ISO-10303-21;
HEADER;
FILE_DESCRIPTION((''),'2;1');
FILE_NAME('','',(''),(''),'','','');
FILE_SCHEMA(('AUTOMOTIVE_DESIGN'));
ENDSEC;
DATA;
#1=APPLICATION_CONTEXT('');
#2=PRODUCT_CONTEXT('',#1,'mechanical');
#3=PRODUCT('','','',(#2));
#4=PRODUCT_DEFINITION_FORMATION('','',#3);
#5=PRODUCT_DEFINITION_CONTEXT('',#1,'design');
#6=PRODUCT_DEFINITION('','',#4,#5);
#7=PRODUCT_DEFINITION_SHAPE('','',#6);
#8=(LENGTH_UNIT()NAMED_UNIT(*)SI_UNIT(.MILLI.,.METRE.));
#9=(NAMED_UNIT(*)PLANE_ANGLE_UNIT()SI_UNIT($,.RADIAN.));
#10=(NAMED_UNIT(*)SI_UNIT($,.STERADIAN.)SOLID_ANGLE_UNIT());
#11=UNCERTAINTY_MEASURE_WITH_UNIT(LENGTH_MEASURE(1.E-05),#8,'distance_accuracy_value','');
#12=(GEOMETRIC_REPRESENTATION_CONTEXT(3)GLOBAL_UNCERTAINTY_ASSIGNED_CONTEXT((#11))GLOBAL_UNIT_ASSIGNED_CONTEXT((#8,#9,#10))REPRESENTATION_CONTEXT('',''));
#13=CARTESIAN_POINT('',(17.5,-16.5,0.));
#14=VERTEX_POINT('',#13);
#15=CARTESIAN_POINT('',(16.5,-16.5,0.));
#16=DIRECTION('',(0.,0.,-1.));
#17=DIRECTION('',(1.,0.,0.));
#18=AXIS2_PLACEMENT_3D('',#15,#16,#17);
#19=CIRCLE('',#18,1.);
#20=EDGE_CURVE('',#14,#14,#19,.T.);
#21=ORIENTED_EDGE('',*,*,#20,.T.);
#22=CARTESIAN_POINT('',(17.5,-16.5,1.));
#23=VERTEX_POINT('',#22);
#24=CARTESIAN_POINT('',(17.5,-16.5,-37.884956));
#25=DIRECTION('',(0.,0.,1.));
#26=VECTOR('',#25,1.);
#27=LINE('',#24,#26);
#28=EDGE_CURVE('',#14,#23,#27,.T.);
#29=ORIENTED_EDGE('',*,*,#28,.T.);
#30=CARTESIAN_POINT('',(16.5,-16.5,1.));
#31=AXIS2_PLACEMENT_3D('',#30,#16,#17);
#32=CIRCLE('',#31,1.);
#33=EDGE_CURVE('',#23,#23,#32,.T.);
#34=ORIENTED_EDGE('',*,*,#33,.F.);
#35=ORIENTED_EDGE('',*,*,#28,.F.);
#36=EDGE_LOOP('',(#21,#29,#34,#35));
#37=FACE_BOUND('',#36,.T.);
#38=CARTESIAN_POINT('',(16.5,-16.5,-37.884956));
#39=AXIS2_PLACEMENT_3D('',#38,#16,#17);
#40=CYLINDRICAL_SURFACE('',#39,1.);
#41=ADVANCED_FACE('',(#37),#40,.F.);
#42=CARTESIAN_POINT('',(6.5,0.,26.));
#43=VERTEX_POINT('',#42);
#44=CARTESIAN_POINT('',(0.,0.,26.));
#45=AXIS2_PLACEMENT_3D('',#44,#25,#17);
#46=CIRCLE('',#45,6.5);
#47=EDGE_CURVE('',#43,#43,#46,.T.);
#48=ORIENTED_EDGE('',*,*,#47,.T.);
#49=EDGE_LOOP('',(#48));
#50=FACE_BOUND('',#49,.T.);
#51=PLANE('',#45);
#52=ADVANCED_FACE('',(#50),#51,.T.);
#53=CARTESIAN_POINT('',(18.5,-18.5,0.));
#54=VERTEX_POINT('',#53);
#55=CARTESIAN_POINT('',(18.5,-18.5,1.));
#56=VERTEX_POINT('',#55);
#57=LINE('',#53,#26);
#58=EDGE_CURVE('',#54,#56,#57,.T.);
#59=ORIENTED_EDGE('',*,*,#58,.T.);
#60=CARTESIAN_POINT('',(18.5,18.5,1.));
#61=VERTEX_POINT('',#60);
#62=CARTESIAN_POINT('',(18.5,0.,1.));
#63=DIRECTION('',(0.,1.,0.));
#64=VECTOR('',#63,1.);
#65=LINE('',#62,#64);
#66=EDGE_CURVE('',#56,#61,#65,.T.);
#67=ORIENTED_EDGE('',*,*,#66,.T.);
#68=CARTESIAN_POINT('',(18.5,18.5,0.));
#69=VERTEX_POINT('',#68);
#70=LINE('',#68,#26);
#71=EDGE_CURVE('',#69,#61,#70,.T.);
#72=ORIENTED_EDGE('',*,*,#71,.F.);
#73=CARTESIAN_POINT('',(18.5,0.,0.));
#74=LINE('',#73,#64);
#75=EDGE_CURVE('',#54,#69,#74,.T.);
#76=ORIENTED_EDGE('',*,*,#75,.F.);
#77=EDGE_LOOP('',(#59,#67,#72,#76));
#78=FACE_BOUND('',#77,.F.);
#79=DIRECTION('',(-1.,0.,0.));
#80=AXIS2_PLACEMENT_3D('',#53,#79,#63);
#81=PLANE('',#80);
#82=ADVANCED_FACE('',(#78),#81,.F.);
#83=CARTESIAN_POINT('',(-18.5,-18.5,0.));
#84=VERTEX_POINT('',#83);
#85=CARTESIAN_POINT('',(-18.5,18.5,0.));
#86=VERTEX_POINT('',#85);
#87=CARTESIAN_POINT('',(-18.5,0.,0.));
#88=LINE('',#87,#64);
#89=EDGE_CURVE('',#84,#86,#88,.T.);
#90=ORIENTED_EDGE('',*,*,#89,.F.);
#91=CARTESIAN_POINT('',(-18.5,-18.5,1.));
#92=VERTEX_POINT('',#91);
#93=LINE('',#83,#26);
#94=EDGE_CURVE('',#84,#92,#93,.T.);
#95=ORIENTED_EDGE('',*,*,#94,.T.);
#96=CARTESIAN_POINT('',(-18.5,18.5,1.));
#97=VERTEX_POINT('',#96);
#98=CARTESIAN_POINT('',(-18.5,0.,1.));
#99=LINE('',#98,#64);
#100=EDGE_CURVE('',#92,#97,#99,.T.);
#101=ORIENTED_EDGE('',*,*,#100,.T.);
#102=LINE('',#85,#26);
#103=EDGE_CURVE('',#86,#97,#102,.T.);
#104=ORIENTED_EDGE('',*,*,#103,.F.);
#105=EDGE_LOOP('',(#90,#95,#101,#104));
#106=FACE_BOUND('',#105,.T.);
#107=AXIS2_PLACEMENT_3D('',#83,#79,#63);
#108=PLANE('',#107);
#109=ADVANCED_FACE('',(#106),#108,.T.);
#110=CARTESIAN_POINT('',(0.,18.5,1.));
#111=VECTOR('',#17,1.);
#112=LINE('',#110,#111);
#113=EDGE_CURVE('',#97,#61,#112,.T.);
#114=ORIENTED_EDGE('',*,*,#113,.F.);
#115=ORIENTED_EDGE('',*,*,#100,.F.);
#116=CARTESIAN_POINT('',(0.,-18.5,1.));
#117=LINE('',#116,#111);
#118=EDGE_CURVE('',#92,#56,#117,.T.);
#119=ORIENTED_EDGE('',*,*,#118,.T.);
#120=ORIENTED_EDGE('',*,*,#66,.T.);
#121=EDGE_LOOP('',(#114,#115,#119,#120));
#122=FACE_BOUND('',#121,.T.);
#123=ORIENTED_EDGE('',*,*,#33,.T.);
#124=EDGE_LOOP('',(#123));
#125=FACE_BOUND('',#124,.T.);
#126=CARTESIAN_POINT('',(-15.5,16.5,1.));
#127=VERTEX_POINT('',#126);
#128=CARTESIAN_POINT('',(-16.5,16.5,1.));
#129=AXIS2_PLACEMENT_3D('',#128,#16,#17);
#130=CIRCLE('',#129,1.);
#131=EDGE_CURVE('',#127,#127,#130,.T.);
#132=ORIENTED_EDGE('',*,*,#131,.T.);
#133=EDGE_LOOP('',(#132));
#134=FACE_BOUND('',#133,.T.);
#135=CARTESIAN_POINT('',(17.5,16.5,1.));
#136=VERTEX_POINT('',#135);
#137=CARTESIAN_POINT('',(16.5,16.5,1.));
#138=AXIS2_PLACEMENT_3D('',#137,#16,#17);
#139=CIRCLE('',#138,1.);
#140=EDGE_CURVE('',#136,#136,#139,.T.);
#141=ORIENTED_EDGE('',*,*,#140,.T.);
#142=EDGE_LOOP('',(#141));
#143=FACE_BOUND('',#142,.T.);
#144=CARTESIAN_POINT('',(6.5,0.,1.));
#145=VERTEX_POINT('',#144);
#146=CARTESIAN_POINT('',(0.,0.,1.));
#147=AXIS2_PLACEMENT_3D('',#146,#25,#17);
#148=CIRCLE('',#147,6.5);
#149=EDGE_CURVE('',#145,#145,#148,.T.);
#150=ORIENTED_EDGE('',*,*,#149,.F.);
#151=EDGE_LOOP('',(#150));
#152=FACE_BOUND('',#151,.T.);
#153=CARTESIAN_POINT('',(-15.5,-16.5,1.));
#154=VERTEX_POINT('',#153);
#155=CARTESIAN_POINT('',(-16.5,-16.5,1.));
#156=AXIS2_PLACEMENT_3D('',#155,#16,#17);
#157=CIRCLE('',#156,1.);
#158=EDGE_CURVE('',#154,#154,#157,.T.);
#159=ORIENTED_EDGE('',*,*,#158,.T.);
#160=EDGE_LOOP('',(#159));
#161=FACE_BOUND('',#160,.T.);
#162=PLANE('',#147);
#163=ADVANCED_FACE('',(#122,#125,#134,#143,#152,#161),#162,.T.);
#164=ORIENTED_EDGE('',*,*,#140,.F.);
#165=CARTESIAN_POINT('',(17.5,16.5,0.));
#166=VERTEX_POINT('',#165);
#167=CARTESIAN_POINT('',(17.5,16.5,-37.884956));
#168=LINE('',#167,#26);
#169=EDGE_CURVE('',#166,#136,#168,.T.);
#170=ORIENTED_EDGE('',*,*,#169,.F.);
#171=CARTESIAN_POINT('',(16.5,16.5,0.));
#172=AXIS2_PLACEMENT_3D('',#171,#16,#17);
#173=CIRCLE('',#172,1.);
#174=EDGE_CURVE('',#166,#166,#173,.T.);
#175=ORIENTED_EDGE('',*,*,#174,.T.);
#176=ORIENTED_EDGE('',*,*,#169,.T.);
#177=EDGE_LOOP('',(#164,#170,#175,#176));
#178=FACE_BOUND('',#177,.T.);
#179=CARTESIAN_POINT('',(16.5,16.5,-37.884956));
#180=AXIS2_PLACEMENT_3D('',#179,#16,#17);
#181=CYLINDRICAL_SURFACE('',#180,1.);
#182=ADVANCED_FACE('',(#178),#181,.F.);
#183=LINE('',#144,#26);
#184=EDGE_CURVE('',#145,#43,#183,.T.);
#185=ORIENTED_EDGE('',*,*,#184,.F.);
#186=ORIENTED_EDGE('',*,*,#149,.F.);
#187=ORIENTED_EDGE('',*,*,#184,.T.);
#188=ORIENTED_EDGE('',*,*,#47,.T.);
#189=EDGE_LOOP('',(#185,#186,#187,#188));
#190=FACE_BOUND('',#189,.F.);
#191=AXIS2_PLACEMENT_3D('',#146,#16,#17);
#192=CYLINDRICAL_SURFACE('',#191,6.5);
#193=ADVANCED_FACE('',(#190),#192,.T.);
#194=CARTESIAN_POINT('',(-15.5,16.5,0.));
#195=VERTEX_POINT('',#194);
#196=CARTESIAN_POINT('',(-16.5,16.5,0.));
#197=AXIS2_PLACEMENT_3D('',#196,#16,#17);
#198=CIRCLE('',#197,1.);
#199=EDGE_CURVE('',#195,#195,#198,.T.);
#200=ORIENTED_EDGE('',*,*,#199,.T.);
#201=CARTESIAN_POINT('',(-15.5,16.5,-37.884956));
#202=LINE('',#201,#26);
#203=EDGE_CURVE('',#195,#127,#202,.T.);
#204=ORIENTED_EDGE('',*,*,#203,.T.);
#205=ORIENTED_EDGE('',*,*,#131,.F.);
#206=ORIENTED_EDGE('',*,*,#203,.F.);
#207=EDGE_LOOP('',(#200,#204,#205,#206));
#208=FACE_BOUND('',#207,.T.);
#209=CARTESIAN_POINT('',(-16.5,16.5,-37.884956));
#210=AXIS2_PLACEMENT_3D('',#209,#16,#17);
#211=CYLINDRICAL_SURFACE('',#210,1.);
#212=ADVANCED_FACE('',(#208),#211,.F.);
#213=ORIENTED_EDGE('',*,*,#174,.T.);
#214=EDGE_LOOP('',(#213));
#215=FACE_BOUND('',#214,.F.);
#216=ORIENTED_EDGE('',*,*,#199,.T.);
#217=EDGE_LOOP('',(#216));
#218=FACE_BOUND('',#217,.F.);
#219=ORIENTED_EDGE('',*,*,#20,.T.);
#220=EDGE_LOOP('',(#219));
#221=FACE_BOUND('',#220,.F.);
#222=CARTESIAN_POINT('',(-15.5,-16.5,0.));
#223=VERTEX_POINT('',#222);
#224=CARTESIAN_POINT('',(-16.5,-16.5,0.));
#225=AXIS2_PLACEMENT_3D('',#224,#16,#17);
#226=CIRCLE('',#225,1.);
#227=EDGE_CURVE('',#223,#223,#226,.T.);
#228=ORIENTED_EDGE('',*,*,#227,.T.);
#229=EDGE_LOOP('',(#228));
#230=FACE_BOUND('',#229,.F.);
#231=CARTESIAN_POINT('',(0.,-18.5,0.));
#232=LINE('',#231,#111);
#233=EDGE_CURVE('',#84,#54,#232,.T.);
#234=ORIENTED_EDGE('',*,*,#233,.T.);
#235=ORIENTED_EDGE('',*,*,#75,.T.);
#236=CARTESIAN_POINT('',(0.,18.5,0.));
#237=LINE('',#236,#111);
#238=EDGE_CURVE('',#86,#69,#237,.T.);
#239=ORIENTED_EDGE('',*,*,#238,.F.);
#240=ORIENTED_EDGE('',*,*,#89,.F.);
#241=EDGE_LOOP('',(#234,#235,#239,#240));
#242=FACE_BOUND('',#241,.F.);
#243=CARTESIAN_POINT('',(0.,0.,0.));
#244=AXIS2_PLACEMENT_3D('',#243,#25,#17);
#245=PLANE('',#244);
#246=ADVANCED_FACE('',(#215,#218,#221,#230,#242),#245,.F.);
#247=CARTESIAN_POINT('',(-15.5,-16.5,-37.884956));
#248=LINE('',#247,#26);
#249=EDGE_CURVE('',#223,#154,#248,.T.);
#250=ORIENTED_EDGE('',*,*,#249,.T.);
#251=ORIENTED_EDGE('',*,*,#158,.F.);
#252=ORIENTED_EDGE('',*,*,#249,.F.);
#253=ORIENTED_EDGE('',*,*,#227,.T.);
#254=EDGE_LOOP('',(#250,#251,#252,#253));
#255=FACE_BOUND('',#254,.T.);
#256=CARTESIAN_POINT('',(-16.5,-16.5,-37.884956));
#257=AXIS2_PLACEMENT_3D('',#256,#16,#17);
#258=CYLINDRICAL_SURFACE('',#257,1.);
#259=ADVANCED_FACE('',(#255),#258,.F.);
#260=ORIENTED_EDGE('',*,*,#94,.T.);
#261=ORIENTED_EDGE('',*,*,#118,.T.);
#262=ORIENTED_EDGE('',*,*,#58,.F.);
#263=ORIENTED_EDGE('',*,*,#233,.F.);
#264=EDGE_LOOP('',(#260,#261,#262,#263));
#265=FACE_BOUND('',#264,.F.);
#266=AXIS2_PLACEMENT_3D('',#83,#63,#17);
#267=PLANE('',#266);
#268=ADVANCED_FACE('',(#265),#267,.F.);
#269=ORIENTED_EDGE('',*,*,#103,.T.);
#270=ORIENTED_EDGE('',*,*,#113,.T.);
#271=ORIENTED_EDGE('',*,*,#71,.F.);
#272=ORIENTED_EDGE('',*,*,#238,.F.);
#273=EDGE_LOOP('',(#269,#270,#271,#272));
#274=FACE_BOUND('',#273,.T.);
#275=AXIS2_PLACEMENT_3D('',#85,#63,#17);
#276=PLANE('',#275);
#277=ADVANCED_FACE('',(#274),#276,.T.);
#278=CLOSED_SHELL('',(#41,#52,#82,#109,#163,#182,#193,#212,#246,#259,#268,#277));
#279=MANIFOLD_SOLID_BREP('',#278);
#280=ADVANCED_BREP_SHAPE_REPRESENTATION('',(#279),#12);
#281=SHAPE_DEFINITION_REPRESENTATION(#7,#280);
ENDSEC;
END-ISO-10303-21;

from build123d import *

# Parameters (mm, degrees)
MEASURED_PCB_37X37_W                                = 37
MEASURED_PCB_37X37_H                                = 37
PCB_VISUAL_THICKNESS_1MM_UNMEASURED_DEPTH           = 1
LENS_HEIGHT25_FROM_PCB_FRONT_START                  = 1
LENS_OD13_CENTER_PROVISIONAL_R                      = 6.5
LENS_HEIGHT25_FROM_PCB_FRONT_DEPTH                  = 25
FOUR_MEASURED_D2_HOLES_PROVISIONAL_LOCAT_DEPTH      = 37.884956283
FOUR_MEASURED_D2_HOLES_PROVISIONAL_LOCAT_DEPTH_BACK = 37.884956283
HOLE_CENTERS33_PROVISIONAL_R                        = 1


with BuildPart() as part:
    # Measured_PCB_37x37 → PCB_visual_thickness_1mm_UNMEASURED (new body)
    with BuildSketch(Plane.XY):
        Rectangle(MEASURED_PCB_37X37_W, MEASURED_PCB_37X37_H)
    extrude(amount=PCB_VISUAL_THICKNESS_1MM_UNMEASURED_DEPTH)

    # Lens_OD13_center_PROVISIONAL → Lens_height25_from_PCB_front (add)
    with BuildSketch(Plane.XY.offset(LENS_HEIGHT25_FROM_PCB_FRONT_START)):
        Circle(LENS_OD13_CENTER_PROVISIONAL_R)
    extrude(amount=LENS_HEIGHT25_FROM_PCB_FRONT_DEPTH)

    # Hole_centers33_PROVISIONAL → Four_measured_D2_holes_PROVISIONAL_locations (cut, two sides: drawn at the far end of the back side and taken through both)
    with BuildSketch(Plane.XY.offset(-FOUR_MEASURED_D2_HOLES_PROVISIONAL_LOCAT_DEPTH_BACK)):
        with Locations((-16.5, -16.5)):
            Circle(HOLE_CENTERS33_PROVISIONAL_R)
        with Locations((-16.5, 16.5)):
            Circle(HOLE_CENTERS33_PROVISIONAL_R)
        with Locations((16.5, -16.5)):
            Circle(HOLE_CENTERS33_PROVISIONAL_R)
        with Locations((16.5, 16.5)):
            Circle(HOLE_CENTERS33_PROVISIONAL_R)
    extrude(amount=FOUR_MEASURED_D2_HOLES_PROVISIONAL_LOCAT_DEPTH + FOUR_MEASURED_D2_HOLES_PROVISIONAL_LOCAT_DEPTH_BACK, mode=Mode.SUBTRACT)


solid = part.part
